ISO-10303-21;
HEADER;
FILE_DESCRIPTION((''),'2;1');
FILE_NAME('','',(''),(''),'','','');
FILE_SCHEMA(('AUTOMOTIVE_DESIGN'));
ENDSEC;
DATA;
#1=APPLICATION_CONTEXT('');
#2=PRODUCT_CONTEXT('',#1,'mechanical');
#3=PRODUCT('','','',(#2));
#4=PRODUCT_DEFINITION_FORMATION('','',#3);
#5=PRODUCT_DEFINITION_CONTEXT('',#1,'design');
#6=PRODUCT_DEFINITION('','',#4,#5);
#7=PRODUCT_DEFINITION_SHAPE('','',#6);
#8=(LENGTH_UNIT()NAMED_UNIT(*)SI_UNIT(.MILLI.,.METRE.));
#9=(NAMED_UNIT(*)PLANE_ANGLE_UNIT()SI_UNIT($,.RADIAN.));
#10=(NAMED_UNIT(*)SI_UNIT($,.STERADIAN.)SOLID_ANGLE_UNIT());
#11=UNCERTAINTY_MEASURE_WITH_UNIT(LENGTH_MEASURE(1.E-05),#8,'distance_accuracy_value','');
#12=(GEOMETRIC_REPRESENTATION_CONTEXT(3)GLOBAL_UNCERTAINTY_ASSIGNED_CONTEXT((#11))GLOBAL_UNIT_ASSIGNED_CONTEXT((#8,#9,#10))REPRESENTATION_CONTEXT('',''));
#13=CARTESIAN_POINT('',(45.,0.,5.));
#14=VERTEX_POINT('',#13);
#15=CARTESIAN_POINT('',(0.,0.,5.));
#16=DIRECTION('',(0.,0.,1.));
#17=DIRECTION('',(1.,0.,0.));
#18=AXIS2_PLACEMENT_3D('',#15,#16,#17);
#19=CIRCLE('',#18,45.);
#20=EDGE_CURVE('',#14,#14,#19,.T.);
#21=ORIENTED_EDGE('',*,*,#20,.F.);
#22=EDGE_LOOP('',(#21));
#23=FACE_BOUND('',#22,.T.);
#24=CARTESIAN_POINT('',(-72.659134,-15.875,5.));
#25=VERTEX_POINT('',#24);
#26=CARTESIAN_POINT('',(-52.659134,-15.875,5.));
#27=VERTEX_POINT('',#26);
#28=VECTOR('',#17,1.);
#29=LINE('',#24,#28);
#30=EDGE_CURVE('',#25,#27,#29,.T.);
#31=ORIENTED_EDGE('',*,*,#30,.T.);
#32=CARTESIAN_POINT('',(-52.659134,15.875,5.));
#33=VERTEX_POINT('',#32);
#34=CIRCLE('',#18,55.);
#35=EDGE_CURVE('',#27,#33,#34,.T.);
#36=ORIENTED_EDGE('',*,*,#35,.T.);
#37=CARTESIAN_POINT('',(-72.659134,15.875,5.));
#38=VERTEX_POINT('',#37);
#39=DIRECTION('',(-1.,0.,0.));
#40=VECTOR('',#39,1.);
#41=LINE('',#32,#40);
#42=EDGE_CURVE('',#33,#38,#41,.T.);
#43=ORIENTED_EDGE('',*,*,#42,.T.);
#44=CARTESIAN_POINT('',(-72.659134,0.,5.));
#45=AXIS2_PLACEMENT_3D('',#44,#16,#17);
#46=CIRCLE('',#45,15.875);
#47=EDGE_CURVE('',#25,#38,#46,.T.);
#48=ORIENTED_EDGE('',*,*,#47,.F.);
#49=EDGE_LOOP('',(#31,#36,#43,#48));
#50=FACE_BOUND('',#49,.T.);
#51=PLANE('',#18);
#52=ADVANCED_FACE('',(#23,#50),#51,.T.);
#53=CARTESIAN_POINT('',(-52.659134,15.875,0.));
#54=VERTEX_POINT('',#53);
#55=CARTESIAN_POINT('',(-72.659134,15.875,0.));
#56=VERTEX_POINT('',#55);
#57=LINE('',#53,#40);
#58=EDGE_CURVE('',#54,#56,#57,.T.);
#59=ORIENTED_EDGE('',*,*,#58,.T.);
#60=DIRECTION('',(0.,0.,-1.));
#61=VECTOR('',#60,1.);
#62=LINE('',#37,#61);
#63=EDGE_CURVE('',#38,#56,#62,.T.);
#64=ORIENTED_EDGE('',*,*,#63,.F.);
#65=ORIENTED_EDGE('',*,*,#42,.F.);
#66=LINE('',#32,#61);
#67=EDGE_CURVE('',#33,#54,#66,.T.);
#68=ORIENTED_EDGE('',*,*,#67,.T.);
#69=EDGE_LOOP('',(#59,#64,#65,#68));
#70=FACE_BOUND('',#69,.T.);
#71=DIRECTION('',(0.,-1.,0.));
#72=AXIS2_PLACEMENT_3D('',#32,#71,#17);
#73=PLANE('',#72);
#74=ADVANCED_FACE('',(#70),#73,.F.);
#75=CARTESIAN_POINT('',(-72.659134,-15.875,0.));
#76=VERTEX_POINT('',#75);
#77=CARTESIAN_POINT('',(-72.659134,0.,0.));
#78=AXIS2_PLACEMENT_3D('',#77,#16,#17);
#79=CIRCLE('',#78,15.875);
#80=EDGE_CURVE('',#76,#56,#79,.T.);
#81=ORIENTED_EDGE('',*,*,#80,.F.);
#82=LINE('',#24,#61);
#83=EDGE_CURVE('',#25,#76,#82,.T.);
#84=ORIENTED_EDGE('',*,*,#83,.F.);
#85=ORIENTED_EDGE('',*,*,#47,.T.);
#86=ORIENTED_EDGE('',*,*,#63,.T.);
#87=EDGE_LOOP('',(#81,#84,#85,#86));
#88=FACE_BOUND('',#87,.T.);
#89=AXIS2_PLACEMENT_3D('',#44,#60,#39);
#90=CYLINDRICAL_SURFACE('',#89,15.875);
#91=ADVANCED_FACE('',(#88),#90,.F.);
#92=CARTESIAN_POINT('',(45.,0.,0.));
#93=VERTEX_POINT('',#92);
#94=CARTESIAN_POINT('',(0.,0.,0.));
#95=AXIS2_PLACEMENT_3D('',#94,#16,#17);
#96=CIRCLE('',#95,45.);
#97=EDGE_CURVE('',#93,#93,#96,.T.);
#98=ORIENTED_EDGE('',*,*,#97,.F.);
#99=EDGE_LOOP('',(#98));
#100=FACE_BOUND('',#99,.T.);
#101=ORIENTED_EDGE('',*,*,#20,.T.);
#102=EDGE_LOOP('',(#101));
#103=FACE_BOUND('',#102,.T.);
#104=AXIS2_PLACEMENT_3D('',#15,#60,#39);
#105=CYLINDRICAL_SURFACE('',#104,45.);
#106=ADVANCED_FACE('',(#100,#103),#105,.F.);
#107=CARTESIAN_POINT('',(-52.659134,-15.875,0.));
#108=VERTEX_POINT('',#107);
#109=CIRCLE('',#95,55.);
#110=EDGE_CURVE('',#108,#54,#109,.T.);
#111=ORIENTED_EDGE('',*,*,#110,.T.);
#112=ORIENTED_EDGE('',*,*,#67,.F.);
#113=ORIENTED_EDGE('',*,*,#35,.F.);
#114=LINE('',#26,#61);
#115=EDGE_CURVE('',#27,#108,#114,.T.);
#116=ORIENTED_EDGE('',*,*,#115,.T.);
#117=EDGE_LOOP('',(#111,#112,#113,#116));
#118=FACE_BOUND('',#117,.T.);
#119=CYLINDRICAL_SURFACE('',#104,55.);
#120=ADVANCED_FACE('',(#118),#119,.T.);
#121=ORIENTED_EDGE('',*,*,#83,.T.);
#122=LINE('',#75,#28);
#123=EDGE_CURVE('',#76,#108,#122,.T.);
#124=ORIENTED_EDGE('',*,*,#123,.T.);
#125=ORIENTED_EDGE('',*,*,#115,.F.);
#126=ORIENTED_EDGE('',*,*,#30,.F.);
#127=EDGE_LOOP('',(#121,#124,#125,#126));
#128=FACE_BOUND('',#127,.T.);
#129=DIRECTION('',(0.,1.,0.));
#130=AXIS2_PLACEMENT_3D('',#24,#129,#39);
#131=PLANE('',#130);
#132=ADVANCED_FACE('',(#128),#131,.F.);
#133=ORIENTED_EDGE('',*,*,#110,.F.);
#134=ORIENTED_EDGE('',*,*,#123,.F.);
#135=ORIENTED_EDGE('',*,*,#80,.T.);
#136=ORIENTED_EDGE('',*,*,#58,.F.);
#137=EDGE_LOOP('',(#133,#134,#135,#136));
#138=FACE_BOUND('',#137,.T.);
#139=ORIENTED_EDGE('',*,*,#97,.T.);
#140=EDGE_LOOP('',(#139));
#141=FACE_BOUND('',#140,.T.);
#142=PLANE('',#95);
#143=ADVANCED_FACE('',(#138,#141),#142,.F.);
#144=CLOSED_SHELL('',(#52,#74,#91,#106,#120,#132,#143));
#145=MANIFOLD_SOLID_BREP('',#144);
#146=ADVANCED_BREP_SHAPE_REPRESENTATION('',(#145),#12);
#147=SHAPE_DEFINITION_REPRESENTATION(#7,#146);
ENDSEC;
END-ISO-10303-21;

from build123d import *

# Parameters (mm, degrees)
SKETCH3_R           = 45
BOSS_EXTRUDE1_DEPTH = 5


with BuildPart() as part:
    # Sketch3 → Boss-Extrude1 (new body)
    with BuildSketch(Plane(origin=(0, 0, 0), x_dir=(0, 1, 0), z_dir=(0, 0, 1))):
        with BuildLine():
            Line((-15.875, 72.659133823), (-15.875, 52.659133823))
            ThreePointArc((-15.875, 52.659133823), (0, -55), (15.875, 52.659133823))
            Line((15.875, 52.659133823), (15.875, 72.659133823))
            ThreePointArc((15.875, 72.659133823), (0, 56.784133823), (-15.875, 72.659133823))
        make_face()
        with Locations(Location((0, 0, 0), (0, 0, 270))):
            Circle(SKETCH3_R, mode=Mode.SUBTRACT)
    extrude(amount=BOSS_EXTRUDE1_DEPTH)


solid = part.part
